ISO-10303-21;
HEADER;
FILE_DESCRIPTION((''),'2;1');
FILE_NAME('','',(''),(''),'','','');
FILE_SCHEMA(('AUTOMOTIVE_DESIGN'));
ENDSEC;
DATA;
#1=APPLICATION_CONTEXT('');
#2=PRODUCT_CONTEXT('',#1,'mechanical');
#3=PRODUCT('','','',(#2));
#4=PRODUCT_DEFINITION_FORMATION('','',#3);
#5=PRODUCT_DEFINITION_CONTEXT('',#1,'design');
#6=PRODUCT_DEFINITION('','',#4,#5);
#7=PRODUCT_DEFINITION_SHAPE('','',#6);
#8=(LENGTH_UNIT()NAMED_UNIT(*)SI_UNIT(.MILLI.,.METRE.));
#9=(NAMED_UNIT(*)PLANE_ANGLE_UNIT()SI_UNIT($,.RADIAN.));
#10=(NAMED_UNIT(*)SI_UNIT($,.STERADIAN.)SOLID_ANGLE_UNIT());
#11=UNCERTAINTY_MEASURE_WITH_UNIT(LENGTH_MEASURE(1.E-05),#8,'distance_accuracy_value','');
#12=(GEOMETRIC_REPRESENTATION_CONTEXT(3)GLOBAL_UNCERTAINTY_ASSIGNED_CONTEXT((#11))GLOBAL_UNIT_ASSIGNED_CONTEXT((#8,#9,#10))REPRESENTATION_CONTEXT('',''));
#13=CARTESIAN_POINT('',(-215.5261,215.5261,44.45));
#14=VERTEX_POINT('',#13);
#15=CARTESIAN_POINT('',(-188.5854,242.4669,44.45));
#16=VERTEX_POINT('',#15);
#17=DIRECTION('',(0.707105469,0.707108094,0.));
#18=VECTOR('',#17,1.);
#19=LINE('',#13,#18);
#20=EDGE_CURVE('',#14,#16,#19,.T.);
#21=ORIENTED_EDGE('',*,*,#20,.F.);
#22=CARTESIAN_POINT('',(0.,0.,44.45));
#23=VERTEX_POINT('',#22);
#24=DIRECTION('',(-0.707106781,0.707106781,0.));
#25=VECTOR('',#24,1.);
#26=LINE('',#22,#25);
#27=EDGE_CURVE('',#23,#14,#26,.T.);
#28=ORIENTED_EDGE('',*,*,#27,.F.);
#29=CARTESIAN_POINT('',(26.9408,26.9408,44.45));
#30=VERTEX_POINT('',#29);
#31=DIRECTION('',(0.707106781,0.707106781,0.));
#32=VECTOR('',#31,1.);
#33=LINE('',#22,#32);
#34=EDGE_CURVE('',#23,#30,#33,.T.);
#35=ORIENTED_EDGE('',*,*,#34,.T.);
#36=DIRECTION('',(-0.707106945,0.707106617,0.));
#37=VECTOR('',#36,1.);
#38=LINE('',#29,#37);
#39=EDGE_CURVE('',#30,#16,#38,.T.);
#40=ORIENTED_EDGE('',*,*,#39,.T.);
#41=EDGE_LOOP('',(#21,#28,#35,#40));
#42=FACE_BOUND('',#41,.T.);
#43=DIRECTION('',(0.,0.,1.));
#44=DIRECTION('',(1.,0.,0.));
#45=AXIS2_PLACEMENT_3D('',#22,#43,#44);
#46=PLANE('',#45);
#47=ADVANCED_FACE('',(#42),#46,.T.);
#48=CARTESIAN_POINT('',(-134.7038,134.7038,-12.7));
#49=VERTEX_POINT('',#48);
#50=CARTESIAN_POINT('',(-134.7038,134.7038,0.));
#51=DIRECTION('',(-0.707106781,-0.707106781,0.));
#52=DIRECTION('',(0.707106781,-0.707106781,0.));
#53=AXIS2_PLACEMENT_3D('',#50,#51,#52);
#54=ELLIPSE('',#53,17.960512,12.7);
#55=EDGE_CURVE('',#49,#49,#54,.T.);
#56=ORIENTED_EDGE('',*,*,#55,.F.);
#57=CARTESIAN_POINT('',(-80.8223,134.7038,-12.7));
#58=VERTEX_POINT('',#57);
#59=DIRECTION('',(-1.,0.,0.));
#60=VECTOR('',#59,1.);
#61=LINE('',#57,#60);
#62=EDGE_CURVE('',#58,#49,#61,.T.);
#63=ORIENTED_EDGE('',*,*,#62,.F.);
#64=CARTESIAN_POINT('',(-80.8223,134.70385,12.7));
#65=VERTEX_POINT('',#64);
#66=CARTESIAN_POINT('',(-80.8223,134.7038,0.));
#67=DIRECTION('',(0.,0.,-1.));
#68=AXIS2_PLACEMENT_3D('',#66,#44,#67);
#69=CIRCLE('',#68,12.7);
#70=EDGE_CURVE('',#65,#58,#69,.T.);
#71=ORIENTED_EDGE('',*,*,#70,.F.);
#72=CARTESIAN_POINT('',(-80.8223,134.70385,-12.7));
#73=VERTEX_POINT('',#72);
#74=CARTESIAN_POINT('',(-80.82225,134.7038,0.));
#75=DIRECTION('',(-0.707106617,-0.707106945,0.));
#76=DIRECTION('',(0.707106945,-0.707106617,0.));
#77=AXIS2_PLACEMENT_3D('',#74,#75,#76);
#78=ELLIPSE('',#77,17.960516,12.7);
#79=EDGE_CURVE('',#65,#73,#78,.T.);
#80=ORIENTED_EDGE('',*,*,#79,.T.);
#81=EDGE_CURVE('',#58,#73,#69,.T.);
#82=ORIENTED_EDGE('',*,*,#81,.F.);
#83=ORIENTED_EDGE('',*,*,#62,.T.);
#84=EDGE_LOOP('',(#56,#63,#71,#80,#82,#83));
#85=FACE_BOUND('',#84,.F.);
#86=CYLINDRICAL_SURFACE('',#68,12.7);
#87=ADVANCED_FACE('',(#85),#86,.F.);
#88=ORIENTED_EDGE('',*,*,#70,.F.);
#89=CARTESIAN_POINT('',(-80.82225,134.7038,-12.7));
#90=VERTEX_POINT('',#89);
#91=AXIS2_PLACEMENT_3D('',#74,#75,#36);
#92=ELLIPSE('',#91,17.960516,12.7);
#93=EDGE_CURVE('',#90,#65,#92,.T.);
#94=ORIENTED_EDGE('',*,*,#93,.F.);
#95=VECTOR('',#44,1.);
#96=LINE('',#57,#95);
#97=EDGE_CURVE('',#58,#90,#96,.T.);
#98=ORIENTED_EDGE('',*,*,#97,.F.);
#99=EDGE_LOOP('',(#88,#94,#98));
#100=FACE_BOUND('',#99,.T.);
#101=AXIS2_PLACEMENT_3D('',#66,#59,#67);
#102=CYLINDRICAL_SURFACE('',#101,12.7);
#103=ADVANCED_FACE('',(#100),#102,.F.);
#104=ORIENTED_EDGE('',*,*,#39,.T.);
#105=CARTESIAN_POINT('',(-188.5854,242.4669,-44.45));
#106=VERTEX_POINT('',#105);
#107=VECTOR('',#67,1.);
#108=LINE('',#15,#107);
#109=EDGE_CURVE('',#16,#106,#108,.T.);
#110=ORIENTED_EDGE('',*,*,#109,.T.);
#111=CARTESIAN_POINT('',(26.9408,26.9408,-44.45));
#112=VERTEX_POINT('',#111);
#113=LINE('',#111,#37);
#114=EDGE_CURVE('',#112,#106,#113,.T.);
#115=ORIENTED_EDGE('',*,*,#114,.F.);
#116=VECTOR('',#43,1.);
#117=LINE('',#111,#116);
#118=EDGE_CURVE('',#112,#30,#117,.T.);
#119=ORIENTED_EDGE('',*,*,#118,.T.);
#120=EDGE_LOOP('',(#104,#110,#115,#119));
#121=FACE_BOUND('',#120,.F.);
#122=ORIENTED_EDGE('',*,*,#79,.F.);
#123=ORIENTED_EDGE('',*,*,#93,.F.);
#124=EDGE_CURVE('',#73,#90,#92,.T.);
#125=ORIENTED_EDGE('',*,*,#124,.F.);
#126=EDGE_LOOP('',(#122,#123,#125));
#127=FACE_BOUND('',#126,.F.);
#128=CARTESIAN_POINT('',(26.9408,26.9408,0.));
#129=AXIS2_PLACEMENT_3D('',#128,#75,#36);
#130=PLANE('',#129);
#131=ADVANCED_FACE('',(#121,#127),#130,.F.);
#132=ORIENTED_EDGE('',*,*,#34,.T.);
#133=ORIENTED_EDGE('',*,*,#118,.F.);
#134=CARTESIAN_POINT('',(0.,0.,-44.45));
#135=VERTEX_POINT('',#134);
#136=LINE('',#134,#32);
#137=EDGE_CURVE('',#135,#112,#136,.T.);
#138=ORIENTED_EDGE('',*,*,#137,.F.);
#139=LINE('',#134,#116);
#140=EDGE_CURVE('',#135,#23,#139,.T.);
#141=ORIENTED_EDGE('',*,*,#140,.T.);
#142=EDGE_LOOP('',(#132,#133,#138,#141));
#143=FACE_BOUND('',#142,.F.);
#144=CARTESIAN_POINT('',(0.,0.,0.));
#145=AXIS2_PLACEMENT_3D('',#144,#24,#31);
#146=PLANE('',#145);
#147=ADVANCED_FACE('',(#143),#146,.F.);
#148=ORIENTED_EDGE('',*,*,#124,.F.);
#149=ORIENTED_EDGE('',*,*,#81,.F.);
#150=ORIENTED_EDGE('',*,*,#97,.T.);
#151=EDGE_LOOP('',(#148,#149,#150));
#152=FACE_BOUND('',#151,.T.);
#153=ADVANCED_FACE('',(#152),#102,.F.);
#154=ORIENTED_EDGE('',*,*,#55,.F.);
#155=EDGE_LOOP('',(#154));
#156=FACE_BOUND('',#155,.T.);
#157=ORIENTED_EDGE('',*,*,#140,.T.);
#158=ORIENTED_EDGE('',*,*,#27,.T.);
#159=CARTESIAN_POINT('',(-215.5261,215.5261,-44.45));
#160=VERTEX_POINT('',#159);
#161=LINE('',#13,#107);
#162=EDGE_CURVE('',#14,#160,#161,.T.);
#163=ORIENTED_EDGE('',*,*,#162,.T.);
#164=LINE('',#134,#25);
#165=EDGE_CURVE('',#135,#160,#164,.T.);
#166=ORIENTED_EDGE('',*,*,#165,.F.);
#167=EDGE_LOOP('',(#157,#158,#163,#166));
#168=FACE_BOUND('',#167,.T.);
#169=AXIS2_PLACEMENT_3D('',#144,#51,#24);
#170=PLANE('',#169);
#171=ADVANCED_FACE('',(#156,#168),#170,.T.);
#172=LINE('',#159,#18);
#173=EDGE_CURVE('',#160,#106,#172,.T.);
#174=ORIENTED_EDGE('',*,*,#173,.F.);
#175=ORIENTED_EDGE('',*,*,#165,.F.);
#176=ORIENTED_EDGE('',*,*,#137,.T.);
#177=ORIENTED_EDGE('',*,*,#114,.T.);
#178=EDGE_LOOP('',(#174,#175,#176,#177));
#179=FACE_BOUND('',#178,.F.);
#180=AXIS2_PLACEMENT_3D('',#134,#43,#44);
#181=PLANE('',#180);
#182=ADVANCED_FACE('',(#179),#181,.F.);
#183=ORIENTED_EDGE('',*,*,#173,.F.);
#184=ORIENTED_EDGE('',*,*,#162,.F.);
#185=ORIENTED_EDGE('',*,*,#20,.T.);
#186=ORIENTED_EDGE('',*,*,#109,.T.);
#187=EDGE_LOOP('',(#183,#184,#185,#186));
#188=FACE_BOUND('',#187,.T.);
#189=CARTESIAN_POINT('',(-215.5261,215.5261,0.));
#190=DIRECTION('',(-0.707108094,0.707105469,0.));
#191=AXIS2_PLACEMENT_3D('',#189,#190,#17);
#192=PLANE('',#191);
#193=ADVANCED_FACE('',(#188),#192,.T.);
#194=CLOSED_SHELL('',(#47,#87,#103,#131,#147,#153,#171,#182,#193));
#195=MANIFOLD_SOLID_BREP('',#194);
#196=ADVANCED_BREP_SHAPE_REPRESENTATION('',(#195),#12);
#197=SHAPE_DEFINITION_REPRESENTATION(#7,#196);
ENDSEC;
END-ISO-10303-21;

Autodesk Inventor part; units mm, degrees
ref_plane "YZ Plane" through (0, 0, 0) normal (1, 0, 0) x (0, 1, 0)
ref_plane "XY Plane" through (0, 0, 0) normal (0, 0, 1) x (1, 0, 0)
sketch "Sketch1" plane through (0, 0, 0) normal (0, 0, 1) x (1, 0, 0)
  line L0 (0, 0) -> (-215.5261, 215.5261)
  line L1 (0, 0) -> (304.8, 0) construction
  line L2 (-215.5261, 215.5261) -> (-188.5854, 242.4669)
  line L3 (-215.5261, 215.5261) -> (-177.4261, 215.5261) construction
  line L4 (0, 0) -> (26.9408, 26.9408)
  line L5 (0, 0) -> (38.1, 0) construction
  line L6 (26.9408, 26.9408) -> (-188.5854, 242.4669)
  dimension "boardLength" = 304.8
  dimension "d1" = 135
  dimension "boardDepth" = 38.1
  dimension "d3" = 45
  dimension "d4" = 38.1
  dimension "d5" = 45
extrude "Extrusion1" add sketch "Sketch1" along normal mid plane 88.9
sketch "Sketch3" plane through (-188.5854, 242.4669, -44.45) normal (0.7071, 0.7071, 0) x (-0.7071, 0.7071, 0)
  line L0 (0, 88.9) -> (-304.8, 88.9) construction
  line L1 (-152.4, 88.9) -> (-152.4, 0) construction
  line L2 (0, 0) -> (-304.8, 0) construction
  point P0 (-304.8, 44.45)
ref_plane "Work Plane1" through (-80.8223, 134.7038, 44.45) normal (1, 0, 0) x (0, 0, -1)
sketch "Sketch4" plane through (-80.8223, 134.7038, 44.45) normal (1, 0, 0) x (0, 0, -1)
  line L0 (0, -107.7631) -> (0, 107.7631) projected
  circle A0 centre (44.45, 0) radius 12.7
  point P0 (44.45, -134.7038)
  dimension "d17" = 25.4
extrude "Extrusion2" cut sketch "Sketch4" along normal through all both and the other way through all
equation "\"d4\" = boardDepth"
properties part number "2x4x12" material "Wood (Oak)"
